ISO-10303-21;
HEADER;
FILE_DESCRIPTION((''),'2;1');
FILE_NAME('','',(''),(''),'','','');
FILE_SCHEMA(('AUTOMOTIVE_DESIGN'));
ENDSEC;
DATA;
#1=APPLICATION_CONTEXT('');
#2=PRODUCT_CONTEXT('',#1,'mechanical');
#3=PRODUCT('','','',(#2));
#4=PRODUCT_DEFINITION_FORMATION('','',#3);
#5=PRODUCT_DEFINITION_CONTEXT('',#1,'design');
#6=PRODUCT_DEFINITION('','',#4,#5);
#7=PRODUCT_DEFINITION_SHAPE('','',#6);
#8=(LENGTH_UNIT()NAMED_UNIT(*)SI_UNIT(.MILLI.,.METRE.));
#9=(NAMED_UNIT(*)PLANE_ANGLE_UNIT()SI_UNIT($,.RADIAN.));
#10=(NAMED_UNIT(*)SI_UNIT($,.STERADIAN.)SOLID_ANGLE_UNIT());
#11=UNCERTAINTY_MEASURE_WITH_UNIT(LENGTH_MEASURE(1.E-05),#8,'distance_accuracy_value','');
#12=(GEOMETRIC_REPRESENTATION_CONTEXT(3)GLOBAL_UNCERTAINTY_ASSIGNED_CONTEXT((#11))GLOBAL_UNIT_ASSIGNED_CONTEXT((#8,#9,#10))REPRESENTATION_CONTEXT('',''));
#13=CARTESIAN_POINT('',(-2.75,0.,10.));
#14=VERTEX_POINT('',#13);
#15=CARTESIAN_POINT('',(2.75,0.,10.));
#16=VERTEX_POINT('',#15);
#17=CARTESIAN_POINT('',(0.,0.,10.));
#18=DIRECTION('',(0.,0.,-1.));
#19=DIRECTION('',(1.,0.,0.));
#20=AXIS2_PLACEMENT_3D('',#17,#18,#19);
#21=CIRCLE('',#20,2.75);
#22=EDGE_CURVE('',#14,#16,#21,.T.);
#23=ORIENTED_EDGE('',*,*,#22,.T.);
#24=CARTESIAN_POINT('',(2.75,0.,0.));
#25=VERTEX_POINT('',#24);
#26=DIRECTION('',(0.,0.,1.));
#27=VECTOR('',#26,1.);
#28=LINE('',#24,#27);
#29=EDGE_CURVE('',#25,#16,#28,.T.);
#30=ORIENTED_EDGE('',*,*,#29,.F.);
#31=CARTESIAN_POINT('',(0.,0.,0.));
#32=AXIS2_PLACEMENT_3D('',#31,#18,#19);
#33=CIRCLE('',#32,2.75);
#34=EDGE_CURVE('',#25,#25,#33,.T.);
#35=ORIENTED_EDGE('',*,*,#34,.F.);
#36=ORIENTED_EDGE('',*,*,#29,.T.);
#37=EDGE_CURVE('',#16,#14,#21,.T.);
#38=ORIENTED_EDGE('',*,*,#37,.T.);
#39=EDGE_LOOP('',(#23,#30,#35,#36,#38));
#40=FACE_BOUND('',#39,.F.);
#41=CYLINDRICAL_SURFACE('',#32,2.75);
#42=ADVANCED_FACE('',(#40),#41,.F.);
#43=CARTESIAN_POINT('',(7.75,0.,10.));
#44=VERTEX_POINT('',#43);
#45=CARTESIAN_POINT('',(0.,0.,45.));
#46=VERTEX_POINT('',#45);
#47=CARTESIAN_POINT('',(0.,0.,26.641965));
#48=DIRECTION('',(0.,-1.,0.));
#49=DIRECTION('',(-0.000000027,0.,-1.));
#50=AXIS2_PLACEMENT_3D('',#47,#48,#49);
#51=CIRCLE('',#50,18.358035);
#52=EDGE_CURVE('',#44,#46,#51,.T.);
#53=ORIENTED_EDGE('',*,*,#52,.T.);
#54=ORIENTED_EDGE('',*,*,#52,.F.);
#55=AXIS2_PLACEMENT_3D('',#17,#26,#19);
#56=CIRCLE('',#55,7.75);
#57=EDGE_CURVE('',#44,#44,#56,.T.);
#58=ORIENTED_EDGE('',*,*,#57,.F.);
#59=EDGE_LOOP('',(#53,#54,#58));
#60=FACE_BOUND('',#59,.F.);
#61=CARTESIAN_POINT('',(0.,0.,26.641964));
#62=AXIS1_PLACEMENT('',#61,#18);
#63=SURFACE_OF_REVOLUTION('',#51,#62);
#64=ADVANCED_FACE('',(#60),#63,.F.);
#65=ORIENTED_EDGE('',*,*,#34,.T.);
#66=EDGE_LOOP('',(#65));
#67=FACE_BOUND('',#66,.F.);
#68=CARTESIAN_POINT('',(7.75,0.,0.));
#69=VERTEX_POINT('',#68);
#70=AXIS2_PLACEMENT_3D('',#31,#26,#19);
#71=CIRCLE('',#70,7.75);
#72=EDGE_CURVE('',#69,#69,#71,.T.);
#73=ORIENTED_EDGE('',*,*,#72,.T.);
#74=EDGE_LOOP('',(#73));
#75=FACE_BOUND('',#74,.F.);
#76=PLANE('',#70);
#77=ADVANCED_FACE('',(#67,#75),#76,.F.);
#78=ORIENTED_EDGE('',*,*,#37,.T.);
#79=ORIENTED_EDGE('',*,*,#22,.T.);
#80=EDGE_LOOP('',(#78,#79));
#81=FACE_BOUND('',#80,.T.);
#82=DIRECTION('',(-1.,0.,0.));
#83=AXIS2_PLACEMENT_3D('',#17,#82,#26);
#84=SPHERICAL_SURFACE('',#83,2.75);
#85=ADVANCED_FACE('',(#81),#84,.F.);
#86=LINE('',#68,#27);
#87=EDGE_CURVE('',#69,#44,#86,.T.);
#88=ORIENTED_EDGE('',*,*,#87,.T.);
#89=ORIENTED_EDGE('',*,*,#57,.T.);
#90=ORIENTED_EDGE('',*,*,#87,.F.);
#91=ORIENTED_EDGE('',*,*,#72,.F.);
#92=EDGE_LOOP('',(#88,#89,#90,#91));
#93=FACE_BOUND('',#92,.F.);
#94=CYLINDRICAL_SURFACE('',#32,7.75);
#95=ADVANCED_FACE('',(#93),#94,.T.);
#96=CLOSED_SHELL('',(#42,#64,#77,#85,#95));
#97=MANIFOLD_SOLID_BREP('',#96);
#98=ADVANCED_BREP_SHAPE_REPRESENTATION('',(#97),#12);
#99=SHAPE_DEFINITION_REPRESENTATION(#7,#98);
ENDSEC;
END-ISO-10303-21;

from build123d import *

# Parameters (mm, degrees)
F0_R     = 7.75
F1_DEPTH = 10
F4_R     = 2.75
F5_DEPTH = 10


with BuildPart() as f1:
    # F0 (on Top) → F1 (new body)
    with BuildSketch(Plane.XY):
        Circle(F0_R)
    extrude(amount=F1_DEPTH)

    # F2 (on Front) → F3 (revolve)
    with BuildSketch(Plane.XZ):
        with BuildLine():
            ThreePointArc((0, 8.283929), (18.358036, 26.641964), (0, 45))
            Line((0, 45), (0, 8.283929))
        make_face()
    revolve(axis=Axis((0, 0, 26.641964), (0, 0, -1)))

    # F4 (on face) → F5 (cut)
    with BuildSketch(Plane(origin=(0, 0, 0), x_dir=(1, 0, 0), z_dir=(0, 0, -1))):
        Circle(F4_R)
    extrude(amount=-F5_DEPTH, mode=Mode.SUBTRACT)

    # F6 (on Front) → F7 (revolve, cut)
    with BuildSketch(Plane.XZ):
        with BuildLine():
            ThreePointArc((2.75, 10), (0, 12.75), (-2.75, 10))
            Line((-2.75, 10), (2.75, 10))
        make_face()
    revolve(axis=Axis((0, 0, 10), (1, 0, 0)), mode=Mode.SUBTRACT)


solid = f1.part
